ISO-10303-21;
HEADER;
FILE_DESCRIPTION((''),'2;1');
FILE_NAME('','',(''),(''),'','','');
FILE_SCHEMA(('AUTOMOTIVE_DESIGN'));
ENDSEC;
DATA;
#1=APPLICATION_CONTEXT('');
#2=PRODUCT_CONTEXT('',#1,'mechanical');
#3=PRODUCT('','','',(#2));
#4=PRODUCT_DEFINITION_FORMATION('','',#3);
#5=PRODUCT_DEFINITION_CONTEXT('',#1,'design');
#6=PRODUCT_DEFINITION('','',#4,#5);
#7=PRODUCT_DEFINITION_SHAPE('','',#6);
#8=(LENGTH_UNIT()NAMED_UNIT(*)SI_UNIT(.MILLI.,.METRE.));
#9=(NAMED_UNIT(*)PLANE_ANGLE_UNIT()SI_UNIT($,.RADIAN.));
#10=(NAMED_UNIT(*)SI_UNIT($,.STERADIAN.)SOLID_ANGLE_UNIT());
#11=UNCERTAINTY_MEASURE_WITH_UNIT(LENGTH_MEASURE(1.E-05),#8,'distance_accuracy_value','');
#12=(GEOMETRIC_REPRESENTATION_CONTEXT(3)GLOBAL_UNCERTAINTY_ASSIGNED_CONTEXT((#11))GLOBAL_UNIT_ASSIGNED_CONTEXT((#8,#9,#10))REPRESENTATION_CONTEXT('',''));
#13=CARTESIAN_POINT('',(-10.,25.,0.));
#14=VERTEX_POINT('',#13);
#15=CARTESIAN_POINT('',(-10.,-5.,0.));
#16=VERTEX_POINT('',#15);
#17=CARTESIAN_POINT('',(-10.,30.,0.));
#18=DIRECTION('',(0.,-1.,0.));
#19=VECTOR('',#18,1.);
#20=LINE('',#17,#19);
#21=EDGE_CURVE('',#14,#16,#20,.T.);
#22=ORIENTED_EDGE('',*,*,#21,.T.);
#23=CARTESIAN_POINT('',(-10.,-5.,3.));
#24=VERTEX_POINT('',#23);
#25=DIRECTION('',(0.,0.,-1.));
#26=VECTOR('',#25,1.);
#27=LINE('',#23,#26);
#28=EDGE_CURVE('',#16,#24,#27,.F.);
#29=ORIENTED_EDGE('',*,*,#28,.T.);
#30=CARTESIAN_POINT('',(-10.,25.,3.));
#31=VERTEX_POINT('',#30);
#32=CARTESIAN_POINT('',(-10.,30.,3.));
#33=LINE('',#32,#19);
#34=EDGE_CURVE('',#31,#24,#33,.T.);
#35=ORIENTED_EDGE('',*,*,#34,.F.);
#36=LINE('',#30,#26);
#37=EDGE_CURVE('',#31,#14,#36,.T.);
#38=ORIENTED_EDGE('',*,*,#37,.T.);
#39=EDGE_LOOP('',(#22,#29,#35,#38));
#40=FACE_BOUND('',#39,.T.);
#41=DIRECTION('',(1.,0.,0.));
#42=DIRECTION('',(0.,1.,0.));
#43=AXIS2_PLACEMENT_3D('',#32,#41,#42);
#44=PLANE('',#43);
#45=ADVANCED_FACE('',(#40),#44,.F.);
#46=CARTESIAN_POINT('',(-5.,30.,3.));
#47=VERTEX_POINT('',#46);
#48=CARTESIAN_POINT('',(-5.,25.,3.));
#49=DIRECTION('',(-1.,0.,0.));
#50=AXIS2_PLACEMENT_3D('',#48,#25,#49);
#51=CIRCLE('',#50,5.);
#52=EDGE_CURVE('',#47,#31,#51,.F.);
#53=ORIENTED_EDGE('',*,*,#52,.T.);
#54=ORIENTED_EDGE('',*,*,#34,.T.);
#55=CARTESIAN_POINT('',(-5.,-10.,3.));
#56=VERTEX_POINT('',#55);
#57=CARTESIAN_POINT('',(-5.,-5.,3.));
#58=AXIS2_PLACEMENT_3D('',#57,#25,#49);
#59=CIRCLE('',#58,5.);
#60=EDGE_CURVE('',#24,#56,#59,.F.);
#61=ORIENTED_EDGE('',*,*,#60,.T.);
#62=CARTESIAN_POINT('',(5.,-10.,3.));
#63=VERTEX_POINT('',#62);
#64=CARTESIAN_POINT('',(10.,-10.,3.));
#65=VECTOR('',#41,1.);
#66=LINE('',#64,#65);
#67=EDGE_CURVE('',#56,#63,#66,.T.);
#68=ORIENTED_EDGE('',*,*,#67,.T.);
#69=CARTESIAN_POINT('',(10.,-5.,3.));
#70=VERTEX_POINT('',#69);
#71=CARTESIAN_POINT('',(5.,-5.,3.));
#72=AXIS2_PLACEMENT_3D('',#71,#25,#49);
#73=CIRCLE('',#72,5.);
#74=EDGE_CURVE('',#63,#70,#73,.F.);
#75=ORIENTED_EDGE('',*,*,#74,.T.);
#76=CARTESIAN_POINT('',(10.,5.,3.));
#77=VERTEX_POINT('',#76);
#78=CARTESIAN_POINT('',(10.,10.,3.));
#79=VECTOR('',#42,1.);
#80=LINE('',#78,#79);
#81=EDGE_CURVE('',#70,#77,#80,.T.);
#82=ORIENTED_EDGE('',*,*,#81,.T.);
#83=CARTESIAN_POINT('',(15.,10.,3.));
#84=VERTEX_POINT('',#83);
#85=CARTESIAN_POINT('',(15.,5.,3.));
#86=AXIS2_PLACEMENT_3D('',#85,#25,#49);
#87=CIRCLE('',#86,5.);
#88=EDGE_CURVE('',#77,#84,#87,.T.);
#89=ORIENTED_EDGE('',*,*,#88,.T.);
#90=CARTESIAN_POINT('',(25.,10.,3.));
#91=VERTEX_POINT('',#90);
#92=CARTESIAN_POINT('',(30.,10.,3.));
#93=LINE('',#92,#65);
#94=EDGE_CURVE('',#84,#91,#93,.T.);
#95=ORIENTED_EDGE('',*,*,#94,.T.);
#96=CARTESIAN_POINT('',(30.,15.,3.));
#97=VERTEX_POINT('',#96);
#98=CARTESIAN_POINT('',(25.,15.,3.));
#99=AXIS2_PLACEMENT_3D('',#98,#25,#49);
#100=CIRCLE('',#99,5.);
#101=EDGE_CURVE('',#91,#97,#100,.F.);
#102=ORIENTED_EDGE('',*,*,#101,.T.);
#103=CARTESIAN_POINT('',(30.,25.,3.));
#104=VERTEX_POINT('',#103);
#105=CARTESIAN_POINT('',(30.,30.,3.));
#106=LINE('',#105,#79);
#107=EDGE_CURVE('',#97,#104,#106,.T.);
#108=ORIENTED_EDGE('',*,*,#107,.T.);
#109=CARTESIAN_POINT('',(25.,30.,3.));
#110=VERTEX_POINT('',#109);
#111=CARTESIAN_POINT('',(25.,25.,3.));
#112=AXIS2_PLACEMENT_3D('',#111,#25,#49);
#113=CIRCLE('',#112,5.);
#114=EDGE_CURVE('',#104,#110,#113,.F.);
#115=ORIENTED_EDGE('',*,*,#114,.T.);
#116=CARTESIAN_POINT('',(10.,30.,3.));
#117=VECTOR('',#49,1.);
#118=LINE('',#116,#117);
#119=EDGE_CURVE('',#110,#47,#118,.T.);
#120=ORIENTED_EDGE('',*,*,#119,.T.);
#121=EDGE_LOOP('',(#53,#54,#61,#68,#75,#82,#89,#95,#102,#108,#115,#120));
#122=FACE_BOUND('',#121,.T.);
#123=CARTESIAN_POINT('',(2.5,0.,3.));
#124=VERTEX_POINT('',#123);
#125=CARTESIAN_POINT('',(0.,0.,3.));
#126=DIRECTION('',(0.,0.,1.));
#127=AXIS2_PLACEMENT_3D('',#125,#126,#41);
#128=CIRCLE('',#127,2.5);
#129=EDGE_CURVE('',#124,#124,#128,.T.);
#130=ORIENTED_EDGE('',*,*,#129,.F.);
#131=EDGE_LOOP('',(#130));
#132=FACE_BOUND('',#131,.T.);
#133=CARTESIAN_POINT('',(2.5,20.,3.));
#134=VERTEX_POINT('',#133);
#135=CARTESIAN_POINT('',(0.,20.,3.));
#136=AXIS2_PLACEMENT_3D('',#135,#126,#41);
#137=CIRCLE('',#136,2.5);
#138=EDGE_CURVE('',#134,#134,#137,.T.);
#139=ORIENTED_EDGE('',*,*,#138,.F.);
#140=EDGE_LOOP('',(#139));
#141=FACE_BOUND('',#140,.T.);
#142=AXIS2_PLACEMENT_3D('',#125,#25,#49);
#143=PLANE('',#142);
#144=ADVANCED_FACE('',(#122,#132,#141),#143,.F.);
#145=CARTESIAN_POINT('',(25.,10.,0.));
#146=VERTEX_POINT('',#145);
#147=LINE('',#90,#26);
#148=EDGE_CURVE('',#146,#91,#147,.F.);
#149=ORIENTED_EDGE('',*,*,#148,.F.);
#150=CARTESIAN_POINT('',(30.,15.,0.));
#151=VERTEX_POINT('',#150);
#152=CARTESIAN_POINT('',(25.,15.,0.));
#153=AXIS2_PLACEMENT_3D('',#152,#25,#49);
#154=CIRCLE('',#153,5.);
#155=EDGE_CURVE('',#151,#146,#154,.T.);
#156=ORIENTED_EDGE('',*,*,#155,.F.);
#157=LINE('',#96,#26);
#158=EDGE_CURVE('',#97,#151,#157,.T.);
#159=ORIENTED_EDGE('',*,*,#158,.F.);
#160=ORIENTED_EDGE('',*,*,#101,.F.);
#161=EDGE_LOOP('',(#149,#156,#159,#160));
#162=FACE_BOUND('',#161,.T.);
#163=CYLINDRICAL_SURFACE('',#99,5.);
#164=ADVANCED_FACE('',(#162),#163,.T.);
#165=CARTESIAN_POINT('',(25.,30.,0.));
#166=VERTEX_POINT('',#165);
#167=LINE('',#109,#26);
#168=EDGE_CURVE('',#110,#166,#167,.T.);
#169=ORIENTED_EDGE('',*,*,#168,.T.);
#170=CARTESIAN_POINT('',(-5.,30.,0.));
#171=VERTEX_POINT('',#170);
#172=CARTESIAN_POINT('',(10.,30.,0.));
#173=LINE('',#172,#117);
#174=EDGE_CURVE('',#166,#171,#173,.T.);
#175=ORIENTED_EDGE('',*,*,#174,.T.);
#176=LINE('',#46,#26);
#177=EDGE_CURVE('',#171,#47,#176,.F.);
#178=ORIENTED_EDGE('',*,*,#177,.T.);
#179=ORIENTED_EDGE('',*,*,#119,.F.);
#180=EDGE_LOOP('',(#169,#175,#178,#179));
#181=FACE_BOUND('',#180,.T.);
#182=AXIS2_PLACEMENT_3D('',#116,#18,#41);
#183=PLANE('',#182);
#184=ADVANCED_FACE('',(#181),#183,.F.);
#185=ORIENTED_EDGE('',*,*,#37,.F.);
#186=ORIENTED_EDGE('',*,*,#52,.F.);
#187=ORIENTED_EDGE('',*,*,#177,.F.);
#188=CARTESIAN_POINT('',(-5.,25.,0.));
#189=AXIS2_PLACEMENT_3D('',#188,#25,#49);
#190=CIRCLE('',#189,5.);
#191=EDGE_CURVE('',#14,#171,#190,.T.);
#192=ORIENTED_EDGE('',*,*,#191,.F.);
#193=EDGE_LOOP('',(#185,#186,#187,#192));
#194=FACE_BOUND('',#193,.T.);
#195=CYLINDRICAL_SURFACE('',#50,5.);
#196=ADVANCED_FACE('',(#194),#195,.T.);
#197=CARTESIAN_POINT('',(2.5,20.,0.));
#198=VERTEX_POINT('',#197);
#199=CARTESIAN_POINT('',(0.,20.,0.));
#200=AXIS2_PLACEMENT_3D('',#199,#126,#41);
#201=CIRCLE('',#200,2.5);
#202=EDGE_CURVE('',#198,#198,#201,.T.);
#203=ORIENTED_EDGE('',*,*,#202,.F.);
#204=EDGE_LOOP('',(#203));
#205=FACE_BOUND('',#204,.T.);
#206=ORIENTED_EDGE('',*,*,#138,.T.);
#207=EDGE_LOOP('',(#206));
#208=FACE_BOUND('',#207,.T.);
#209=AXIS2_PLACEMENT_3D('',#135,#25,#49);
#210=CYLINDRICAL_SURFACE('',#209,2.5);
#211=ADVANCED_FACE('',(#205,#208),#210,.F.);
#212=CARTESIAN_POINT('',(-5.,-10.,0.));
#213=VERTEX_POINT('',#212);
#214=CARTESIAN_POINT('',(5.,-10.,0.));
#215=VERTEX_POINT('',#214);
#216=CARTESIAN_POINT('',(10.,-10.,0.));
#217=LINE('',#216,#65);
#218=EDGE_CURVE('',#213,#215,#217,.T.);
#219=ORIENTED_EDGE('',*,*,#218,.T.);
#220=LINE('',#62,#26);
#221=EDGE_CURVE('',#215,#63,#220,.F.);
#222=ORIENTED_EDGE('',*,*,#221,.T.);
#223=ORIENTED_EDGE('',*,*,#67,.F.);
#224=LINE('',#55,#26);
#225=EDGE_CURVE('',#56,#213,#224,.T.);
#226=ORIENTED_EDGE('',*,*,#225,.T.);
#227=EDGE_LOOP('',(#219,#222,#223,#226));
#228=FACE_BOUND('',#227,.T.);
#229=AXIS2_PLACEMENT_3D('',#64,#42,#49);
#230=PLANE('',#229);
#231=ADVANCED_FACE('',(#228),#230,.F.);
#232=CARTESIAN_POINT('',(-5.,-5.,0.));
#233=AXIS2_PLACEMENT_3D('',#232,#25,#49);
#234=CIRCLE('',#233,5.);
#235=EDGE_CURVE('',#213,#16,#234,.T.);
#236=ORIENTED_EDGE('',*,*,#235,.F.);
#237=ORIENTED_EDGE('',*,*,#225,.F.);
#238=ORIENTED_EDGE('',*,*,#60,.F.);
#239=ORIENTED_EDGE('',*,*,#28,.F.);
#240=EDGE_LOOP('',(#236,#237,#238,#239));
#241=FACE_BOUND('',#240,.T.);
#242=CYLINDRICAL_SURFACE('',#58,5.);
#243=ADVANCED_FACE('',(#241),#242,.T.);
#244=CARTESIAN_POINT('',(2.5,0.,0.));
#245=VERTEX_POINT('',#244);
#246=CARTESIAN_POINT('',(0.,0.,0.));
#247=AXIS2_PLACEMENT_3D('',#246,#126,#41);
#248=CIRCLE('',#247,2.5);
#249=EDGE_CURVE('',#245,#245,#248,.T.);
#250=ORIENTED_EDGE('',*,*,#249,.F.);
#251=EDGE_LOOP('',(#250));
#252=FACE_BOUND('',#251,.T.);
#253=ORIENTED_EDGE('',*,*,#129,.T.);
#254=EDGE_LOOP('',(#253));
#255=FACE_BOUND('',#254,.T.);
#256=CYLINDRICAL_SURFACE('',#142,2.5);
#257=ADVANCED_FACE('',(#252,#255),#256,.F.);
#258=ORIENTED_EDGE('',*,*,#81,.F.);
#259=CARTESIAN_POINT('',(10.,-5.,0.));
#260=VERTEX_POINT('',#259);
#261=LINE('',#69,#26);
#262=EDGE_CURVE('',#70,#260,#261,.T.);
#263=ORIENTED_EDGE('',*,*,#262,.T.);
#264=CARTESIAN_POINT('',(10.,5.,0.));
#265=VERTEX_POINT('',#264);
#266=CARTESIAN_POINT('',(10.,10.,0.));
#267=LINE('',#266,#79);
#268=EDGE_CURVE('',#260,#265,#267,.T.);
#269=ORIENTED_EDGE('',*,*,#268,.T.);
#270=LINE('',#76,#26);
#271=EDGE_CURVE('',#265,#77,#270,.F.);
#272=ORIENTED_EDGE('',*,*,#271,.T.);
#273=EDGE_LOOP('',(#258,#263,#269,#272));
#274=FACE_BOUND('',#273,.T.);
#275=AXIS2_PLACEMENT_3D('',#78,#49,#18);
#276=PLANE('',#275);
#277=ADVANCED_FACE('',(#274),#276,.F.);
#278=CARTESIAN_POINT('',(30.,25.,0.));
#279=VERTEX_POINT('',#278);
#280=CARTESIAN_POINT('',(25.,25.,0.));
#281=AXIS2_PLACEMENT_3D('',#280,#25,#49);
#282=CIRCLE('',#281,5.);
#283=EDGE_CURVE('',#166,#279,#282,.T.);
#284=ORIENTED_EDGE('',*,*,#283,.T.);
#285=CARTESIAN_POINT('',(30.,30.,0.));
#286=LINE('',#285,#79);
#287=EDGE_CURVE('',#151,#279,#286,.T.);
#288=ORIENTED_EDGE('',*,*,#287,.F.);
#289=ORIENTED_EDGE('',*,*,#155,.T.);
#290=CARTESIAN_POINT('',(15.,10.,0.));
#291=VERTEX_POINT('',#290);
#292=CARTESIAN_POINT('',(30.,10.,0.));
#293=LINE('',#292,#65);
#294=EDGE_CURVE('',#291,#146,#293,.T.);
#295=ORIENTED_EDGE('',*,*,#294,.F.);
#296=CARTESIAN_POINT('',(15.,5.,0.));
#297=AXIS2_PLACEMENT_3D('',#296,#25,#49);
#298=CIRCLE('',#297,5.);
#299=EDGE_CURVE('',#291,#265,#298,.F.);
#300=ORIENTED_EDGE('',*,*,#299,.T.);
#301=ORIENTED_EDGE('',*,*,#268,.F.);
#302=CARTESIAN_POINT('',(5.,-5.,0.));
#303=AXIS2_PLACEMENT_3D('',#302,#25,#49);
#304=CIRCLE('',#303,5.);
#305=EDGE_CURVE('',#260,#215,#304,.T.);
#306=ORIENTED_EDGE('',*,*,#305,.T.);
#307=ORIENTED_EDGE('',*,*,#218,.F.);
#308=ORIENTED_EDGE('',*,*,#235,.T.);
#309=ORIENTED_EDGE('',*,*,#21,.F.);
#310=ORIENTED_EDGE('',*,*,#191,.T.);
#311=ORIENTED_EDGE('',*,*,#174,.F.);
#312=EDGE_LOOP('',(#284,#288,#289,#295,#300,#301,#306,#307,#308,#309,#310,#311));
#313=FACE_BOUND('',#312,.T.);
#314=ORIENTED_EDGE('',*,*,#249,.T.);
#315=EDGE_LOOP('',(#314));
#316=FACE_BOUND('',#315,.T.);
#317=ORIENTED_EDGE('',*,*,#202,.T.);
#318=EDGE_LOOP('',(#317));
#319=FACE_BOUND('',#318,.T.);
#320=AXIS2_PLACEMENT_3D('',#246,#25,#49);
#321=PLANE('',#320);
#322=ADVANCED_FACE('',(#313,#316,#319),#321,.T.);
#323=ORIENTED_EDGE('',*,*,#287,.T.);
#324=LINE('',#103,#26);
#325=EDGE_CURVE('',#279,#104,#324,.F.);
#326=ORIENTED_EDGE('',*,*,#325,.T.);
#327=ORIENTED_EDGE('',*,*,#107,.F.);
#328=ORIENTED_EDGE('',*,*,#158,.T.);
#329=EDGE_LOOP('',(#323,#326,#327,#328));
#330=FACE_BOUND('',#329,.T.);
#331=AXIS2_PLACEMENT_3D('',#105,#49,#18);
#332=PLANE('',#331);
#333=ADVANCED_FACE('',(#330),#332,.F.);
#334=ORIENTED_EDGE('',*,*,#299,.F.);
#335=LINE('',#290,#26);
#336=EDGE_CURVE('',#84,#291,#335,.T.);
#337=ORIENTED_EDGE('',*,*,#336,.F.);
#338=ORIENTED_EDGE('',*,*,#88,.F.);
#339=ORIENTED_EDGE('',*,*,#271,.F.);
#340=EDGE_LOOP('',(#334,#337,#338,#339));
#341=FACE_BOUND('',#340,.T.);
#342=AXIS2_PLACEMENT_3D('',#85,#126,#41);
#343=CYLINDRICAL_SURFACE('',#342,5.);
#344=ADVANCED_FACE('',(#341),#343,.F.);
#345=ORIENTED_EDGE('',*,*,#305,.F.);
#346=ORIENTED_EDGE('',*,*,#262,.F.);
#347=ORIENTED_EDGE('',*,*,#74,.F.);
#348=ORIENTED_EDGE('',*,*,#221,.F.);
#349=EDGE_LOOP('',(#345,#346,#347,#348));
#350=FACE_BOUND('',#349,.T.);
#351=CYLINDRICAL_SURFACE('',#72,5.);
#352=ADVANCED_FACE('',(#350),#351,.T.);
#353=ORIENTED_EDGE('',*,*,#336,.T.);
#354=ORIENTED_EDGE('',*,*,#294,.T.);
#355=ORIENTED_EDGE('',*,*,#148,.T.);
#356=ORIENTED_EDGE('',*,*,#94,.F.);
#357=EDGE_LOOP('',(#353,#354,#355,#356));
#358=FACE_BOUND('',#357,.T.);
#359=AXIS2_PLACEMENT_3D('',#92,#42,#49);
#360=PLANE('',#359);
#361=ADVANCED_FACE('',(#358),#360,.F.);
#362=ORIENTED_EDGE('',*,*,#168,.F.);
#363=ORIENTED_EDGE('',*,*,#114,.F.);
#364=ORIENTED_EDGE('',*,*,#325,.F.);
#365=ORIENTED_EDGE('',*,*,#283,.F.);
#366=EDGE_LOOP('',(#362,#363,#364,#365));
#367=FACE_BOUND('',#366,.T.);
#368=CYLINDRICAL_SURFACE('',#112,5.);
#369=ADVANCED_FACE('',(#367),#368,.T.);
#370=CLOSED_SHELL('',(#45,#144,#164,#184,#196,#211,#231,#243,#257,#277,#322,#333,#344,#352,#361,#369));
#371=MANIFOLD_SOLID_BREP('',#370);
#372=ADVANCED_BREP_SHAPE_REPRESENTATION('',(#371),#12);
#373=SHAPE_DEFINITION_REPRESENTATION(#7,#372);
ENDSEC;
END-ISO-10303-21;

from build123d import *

# Parameters (mm, degrees)
SKETCH_2_R      = 2.5
EXTRUDE_1_DEPTH = 3
FILLET_1_R      = 5


with BuildPart() as part:
    # ｽｹｯﾁ2 → ﾎﾞｽ - 押し出し1 (new body)
    with BuildSketch(Plane.XY):
        Polygon((10, 30), (30, 30), (30, 10), (10, 10), (10, -10), (-10, -10), (-10, 30), align=None)
        Circle(SKETCH_2_R, mode=Mode.SUBTRACT)
        with Locations((0, 20)):
            Circle(SKETCH_2_R, mode=Mode.SUBTRACT)
    extrude(amount=EXTRUDE_1_DEPTH)

    # ﾌｨﾚｯﾄ1
    fillet_1_edges = [part.edges().sort_by_distance(p)[0] for p in [
        (-10, 30, 1.5),
        (30, 30, 1.5),
        (30, 10, 1.5),
        (10, 10, 1.5),
        (10, -10, 1.5),
        (-10, -10, 1.5),
    ]]
    fillet(fillet_1_edges, radius=FILLET_1_R)


solid = part.part
